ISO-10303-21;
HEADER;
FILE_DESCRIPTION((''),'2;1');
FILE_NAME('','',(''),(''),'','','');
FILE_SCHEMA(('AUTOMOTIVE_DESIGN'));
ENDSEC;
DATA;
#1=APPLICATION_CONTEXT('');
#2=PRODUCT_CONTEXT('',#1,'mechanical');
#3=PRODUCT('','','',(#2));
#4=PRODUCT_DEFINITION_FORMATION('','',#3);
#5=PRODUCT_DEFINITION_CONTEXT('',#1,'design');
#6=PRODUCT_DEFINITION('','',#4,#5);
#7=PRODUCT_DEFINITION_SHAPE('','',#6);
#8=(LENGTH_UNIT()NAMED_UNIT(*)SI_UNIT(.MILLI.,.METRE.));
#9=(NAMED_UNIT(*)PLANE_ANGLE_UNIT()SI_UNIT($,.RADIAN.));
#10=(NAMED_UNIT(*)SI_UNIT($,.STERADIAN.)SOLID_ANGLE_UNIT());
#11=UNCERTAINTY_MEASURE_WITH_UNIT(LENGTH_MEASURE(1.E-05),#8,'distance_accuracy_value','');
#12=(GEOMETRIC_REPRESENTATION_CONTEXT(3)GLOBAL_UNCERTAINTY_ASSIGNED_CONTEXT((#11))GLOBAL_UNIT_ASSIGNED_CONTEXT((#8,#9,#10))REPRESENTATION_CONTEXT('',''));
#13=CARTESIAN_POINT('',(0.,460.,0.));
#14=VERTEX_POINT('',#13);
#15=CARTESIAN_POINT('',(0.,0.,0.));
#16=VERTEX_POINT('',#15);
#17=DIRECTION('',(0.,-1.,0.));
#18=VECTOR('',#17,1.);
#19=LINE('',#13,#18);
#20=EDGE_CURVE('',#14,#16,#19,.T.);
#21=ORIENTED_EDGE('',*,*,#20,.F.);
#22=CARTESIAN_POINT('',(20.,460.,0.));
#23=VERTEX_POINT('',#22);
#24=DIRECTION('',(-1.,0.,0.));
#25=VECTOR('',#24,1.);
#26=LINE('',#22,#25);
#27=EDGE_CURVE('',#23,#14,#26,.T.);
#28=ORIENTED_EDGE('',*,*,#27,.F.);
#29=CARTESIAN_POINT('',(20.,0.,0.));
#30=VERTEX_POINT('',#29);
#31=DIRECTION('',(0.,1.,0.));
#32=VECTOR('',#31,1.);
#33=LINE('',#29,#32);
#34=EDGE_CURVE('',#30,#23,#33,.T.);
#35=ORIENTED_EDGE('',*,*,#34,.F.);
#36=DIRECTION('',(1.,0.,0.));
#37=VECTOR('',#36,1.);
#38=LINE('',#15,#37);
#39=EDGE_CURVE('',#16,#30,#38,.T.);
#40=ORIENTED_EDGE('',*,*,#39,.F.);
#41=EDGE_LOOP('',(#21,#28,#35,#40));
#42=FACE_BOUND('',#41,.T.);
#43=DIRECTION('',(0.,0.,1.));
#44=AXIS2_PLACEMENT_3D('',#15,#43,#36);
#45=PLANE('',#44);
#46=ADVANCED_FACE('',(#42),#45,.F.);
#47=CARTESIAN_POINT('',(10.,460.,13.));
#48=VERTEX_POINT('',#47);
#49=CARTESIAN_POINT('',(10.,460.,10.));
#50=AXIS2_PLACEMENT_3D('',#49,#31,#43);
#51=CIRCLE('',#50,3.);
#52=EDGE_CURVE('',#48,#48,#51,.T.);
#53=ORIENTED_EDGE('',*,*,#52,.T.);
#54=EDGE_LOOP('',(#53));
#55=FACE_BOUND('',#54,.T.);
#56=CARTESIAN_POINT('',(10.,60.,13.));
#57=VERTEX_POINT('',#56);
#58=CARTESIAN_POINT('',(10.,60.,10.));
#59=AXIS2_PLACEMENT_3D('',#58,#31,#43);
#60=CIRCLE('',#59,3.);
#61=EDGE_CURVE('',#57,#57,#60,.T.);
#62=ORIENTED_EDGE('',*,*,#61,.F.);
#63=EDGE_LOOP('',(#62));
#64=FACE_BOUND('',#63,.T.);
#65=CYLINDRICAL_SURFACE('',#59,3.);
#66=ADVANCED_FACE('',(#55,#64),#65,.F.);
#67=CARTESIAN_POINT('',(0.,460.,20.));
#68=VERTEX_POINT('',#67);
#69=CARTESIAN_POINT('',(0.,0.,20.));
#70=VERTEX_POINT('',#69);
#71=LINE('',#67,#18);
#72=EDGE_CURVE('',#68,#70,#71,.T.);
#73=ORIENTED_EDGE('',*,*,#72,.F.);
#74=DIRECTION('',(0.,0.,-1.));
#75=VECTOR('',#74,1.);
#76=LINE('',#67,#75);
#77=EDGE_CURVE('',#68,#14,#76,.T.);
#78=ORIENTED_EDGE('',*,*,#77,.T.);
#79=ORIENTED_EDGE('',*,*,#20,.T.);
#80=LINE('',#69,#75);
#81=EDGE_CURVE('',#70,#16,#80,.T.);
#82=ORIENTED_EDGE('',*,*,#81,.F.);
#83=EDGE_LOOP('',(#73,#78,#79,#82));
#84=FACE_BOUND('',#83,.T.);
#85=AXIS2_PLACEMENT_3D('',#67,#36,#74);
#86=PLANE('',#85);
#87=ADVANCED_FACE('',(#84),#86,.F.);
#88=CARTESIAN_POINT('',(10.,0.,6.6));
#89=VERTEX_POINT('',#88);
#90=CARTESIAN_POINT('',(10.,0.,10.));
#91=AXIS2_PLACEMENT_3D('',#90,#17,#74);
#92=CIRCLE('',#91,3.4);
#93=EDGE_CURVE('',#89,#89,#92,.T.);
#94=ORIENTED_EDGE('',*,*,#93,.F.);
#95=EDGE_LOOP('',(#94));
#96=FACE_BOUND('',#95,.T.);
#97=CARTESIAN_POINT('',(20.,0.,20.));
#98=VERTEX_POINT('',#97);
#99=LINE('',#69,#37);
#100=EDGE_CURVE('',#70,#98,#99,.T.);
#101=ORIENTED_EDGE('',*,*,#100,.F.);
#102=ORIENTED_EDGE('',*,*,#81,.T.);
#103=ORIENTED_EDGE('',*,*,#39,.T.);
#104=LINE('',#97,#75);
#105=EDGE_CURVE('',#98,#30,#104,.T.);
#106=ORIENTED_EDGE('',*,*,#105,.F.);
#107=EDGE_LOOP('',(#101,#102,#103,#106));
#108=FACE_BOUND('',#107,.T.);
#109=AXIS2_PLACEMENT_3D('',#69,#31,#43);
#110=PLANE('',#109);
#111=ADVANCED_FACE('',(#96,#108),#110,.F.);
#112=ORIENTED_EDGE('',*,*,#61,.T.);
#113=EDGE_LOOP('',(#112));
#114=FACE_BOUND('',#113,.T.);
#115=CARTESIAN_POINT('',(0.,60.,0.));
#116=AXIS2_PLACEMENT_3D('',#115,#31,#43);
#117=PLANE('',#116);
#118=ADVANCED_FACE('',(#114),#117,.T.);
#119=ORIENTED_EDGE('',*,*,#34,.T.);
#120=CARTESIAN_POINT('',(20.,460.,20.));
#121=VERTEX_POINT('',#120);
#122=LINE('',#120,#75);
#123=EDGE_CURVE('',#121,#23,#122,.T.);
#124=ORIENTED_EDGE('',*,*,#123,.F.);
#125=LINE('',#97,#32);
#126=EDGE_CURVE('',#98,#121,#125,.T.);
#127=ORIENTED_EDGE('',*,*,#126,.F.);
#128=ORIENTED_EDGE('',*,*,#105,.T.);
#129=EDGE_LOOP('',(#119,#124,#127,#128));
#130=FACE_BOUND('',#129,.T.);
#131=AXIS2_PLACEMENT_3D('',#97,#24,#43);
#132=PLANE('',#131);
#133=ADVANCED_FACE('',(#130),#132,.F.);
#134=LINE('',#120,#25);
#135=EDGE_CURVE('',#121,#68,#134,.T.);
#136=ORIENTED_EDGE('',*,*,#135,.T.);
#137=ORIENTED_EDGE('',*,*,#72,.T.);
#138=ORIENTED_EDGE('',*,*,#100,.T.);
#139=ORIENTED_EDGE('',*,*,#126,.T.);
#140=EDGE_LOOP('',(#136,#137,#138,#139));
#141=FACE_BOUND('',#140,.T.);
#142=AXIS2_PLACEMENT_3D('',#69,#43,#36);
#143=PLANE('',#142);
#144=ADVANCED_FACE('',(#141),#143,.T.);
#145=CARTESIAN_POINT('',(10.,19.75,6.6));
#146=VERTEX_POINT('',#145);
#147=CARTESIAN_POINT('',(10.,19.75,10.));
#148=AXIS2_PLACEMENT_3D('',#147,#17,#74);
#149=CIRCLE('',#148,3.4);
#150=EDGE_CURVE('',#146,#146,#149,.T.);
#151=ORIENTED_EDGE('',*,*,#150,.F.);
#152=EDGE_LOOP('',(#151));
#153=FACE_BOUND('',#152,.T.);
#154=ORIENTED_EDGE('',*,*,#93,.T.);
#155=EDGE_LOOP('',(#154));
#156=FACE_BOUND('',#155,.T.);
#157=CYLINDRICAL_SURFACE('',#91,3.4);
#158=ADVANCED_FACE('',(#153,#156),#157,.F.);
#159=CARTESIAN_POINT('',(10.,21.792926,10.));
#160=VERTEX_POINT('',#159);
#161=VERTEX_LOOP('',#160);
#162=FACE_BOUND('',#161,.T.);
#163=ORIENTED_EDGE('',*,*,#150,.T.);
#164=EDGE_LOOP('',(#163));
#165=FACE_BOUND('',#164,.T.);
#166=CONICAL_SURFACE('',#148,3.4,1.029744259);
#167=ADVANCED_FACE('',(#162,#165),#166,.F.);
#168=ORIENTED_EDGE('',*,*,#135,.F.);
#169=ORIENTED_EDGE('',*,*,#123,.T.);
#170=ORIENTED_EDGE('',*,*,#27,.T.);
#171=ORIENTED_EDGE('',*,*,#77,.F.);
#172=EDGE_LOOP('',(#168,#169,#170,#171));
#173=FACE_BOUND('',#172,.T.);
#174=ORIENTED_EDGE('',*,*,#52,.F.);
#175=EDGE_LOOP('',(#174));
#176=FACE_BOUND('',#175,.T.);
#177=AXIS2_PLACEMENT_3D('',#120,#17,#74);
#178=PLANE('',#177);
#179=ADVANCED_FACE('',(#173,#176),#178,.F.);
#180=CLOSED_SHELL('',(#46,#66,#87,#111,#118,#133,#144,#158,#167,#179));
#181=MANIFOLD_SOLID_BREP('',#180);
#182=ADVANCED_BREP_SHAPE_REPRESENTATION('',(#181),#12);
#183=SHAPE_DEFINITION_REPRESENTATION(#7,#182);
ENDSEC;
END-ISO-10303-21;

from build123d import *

# Parameters (mm, degrees)
SKETCH_1_W             = 20
SKETCH_1_H             = 460
EXTRUDE_1_DEPTH        = 20
CUT_EXTRUDE_1_DEPTH    = 400
HOLE_WIZARD_M8_1_D     = 6.8
HOLE_WIZARD_M8_1_DEPTH = 19.75
HOLE_WIZARD_M8_1_TIP   = 2.042926105


with BuildPart() as part:
    # 草图1 → 凸台-拉伸1 (new body)
    with BuildSketch(Plane.XY):
        with Locations((10, 230)):
            Rectangle(SKETCH_1_W, SKETCH_1_H)
    extrude(amount=EXTRUDE_1_DEPTH)

    # 草图2 → 切除-拉伸1 (cut)
    with BuildSketch(Plane(origin=(0, 460, 0), x_dir=(1, 0, 0), z_dir=(0, 1, 0))):
        with BuildLine():
            ThreePointArc((13, -10), (10, -7), (7, -10))
            Line((7, -10), (13, -10))
        make_face()
        with BuildLine():
            Line((13, -10), (7, -10))
            ThreePointArc((7, -10), (10, -13), (13, -10))
        make_face()
    extrude(amount=-CUT_EXTRUDE_1_DEPTH, mode=Mode.SUBTRACT)

    # M8 螺纹孔1
    with Locations(Plane(origin=(0, 0, 0), x_dir=(-1, 0, 0), z_dir=(0, -1, 0))):
        with Locations((-10, -10)):
            Hole(HOLE_WIZARD_M8_1_D / 2, depth=HOLE_WIZARD_M8_1_DEPTH)
            with Locations((0, 0, -(HOLE_WIZARD_M8_1_DEPTH + HOLE_WIZARD_M8_1_TIP / 2))):  # 118° drill point
                Cone(0, HOLE_WIZARD_M8_1_D / 2, HOLE_WIZARD_M8_1_TIP, mode=Mode.SUBTRACT)


solid = part.part
